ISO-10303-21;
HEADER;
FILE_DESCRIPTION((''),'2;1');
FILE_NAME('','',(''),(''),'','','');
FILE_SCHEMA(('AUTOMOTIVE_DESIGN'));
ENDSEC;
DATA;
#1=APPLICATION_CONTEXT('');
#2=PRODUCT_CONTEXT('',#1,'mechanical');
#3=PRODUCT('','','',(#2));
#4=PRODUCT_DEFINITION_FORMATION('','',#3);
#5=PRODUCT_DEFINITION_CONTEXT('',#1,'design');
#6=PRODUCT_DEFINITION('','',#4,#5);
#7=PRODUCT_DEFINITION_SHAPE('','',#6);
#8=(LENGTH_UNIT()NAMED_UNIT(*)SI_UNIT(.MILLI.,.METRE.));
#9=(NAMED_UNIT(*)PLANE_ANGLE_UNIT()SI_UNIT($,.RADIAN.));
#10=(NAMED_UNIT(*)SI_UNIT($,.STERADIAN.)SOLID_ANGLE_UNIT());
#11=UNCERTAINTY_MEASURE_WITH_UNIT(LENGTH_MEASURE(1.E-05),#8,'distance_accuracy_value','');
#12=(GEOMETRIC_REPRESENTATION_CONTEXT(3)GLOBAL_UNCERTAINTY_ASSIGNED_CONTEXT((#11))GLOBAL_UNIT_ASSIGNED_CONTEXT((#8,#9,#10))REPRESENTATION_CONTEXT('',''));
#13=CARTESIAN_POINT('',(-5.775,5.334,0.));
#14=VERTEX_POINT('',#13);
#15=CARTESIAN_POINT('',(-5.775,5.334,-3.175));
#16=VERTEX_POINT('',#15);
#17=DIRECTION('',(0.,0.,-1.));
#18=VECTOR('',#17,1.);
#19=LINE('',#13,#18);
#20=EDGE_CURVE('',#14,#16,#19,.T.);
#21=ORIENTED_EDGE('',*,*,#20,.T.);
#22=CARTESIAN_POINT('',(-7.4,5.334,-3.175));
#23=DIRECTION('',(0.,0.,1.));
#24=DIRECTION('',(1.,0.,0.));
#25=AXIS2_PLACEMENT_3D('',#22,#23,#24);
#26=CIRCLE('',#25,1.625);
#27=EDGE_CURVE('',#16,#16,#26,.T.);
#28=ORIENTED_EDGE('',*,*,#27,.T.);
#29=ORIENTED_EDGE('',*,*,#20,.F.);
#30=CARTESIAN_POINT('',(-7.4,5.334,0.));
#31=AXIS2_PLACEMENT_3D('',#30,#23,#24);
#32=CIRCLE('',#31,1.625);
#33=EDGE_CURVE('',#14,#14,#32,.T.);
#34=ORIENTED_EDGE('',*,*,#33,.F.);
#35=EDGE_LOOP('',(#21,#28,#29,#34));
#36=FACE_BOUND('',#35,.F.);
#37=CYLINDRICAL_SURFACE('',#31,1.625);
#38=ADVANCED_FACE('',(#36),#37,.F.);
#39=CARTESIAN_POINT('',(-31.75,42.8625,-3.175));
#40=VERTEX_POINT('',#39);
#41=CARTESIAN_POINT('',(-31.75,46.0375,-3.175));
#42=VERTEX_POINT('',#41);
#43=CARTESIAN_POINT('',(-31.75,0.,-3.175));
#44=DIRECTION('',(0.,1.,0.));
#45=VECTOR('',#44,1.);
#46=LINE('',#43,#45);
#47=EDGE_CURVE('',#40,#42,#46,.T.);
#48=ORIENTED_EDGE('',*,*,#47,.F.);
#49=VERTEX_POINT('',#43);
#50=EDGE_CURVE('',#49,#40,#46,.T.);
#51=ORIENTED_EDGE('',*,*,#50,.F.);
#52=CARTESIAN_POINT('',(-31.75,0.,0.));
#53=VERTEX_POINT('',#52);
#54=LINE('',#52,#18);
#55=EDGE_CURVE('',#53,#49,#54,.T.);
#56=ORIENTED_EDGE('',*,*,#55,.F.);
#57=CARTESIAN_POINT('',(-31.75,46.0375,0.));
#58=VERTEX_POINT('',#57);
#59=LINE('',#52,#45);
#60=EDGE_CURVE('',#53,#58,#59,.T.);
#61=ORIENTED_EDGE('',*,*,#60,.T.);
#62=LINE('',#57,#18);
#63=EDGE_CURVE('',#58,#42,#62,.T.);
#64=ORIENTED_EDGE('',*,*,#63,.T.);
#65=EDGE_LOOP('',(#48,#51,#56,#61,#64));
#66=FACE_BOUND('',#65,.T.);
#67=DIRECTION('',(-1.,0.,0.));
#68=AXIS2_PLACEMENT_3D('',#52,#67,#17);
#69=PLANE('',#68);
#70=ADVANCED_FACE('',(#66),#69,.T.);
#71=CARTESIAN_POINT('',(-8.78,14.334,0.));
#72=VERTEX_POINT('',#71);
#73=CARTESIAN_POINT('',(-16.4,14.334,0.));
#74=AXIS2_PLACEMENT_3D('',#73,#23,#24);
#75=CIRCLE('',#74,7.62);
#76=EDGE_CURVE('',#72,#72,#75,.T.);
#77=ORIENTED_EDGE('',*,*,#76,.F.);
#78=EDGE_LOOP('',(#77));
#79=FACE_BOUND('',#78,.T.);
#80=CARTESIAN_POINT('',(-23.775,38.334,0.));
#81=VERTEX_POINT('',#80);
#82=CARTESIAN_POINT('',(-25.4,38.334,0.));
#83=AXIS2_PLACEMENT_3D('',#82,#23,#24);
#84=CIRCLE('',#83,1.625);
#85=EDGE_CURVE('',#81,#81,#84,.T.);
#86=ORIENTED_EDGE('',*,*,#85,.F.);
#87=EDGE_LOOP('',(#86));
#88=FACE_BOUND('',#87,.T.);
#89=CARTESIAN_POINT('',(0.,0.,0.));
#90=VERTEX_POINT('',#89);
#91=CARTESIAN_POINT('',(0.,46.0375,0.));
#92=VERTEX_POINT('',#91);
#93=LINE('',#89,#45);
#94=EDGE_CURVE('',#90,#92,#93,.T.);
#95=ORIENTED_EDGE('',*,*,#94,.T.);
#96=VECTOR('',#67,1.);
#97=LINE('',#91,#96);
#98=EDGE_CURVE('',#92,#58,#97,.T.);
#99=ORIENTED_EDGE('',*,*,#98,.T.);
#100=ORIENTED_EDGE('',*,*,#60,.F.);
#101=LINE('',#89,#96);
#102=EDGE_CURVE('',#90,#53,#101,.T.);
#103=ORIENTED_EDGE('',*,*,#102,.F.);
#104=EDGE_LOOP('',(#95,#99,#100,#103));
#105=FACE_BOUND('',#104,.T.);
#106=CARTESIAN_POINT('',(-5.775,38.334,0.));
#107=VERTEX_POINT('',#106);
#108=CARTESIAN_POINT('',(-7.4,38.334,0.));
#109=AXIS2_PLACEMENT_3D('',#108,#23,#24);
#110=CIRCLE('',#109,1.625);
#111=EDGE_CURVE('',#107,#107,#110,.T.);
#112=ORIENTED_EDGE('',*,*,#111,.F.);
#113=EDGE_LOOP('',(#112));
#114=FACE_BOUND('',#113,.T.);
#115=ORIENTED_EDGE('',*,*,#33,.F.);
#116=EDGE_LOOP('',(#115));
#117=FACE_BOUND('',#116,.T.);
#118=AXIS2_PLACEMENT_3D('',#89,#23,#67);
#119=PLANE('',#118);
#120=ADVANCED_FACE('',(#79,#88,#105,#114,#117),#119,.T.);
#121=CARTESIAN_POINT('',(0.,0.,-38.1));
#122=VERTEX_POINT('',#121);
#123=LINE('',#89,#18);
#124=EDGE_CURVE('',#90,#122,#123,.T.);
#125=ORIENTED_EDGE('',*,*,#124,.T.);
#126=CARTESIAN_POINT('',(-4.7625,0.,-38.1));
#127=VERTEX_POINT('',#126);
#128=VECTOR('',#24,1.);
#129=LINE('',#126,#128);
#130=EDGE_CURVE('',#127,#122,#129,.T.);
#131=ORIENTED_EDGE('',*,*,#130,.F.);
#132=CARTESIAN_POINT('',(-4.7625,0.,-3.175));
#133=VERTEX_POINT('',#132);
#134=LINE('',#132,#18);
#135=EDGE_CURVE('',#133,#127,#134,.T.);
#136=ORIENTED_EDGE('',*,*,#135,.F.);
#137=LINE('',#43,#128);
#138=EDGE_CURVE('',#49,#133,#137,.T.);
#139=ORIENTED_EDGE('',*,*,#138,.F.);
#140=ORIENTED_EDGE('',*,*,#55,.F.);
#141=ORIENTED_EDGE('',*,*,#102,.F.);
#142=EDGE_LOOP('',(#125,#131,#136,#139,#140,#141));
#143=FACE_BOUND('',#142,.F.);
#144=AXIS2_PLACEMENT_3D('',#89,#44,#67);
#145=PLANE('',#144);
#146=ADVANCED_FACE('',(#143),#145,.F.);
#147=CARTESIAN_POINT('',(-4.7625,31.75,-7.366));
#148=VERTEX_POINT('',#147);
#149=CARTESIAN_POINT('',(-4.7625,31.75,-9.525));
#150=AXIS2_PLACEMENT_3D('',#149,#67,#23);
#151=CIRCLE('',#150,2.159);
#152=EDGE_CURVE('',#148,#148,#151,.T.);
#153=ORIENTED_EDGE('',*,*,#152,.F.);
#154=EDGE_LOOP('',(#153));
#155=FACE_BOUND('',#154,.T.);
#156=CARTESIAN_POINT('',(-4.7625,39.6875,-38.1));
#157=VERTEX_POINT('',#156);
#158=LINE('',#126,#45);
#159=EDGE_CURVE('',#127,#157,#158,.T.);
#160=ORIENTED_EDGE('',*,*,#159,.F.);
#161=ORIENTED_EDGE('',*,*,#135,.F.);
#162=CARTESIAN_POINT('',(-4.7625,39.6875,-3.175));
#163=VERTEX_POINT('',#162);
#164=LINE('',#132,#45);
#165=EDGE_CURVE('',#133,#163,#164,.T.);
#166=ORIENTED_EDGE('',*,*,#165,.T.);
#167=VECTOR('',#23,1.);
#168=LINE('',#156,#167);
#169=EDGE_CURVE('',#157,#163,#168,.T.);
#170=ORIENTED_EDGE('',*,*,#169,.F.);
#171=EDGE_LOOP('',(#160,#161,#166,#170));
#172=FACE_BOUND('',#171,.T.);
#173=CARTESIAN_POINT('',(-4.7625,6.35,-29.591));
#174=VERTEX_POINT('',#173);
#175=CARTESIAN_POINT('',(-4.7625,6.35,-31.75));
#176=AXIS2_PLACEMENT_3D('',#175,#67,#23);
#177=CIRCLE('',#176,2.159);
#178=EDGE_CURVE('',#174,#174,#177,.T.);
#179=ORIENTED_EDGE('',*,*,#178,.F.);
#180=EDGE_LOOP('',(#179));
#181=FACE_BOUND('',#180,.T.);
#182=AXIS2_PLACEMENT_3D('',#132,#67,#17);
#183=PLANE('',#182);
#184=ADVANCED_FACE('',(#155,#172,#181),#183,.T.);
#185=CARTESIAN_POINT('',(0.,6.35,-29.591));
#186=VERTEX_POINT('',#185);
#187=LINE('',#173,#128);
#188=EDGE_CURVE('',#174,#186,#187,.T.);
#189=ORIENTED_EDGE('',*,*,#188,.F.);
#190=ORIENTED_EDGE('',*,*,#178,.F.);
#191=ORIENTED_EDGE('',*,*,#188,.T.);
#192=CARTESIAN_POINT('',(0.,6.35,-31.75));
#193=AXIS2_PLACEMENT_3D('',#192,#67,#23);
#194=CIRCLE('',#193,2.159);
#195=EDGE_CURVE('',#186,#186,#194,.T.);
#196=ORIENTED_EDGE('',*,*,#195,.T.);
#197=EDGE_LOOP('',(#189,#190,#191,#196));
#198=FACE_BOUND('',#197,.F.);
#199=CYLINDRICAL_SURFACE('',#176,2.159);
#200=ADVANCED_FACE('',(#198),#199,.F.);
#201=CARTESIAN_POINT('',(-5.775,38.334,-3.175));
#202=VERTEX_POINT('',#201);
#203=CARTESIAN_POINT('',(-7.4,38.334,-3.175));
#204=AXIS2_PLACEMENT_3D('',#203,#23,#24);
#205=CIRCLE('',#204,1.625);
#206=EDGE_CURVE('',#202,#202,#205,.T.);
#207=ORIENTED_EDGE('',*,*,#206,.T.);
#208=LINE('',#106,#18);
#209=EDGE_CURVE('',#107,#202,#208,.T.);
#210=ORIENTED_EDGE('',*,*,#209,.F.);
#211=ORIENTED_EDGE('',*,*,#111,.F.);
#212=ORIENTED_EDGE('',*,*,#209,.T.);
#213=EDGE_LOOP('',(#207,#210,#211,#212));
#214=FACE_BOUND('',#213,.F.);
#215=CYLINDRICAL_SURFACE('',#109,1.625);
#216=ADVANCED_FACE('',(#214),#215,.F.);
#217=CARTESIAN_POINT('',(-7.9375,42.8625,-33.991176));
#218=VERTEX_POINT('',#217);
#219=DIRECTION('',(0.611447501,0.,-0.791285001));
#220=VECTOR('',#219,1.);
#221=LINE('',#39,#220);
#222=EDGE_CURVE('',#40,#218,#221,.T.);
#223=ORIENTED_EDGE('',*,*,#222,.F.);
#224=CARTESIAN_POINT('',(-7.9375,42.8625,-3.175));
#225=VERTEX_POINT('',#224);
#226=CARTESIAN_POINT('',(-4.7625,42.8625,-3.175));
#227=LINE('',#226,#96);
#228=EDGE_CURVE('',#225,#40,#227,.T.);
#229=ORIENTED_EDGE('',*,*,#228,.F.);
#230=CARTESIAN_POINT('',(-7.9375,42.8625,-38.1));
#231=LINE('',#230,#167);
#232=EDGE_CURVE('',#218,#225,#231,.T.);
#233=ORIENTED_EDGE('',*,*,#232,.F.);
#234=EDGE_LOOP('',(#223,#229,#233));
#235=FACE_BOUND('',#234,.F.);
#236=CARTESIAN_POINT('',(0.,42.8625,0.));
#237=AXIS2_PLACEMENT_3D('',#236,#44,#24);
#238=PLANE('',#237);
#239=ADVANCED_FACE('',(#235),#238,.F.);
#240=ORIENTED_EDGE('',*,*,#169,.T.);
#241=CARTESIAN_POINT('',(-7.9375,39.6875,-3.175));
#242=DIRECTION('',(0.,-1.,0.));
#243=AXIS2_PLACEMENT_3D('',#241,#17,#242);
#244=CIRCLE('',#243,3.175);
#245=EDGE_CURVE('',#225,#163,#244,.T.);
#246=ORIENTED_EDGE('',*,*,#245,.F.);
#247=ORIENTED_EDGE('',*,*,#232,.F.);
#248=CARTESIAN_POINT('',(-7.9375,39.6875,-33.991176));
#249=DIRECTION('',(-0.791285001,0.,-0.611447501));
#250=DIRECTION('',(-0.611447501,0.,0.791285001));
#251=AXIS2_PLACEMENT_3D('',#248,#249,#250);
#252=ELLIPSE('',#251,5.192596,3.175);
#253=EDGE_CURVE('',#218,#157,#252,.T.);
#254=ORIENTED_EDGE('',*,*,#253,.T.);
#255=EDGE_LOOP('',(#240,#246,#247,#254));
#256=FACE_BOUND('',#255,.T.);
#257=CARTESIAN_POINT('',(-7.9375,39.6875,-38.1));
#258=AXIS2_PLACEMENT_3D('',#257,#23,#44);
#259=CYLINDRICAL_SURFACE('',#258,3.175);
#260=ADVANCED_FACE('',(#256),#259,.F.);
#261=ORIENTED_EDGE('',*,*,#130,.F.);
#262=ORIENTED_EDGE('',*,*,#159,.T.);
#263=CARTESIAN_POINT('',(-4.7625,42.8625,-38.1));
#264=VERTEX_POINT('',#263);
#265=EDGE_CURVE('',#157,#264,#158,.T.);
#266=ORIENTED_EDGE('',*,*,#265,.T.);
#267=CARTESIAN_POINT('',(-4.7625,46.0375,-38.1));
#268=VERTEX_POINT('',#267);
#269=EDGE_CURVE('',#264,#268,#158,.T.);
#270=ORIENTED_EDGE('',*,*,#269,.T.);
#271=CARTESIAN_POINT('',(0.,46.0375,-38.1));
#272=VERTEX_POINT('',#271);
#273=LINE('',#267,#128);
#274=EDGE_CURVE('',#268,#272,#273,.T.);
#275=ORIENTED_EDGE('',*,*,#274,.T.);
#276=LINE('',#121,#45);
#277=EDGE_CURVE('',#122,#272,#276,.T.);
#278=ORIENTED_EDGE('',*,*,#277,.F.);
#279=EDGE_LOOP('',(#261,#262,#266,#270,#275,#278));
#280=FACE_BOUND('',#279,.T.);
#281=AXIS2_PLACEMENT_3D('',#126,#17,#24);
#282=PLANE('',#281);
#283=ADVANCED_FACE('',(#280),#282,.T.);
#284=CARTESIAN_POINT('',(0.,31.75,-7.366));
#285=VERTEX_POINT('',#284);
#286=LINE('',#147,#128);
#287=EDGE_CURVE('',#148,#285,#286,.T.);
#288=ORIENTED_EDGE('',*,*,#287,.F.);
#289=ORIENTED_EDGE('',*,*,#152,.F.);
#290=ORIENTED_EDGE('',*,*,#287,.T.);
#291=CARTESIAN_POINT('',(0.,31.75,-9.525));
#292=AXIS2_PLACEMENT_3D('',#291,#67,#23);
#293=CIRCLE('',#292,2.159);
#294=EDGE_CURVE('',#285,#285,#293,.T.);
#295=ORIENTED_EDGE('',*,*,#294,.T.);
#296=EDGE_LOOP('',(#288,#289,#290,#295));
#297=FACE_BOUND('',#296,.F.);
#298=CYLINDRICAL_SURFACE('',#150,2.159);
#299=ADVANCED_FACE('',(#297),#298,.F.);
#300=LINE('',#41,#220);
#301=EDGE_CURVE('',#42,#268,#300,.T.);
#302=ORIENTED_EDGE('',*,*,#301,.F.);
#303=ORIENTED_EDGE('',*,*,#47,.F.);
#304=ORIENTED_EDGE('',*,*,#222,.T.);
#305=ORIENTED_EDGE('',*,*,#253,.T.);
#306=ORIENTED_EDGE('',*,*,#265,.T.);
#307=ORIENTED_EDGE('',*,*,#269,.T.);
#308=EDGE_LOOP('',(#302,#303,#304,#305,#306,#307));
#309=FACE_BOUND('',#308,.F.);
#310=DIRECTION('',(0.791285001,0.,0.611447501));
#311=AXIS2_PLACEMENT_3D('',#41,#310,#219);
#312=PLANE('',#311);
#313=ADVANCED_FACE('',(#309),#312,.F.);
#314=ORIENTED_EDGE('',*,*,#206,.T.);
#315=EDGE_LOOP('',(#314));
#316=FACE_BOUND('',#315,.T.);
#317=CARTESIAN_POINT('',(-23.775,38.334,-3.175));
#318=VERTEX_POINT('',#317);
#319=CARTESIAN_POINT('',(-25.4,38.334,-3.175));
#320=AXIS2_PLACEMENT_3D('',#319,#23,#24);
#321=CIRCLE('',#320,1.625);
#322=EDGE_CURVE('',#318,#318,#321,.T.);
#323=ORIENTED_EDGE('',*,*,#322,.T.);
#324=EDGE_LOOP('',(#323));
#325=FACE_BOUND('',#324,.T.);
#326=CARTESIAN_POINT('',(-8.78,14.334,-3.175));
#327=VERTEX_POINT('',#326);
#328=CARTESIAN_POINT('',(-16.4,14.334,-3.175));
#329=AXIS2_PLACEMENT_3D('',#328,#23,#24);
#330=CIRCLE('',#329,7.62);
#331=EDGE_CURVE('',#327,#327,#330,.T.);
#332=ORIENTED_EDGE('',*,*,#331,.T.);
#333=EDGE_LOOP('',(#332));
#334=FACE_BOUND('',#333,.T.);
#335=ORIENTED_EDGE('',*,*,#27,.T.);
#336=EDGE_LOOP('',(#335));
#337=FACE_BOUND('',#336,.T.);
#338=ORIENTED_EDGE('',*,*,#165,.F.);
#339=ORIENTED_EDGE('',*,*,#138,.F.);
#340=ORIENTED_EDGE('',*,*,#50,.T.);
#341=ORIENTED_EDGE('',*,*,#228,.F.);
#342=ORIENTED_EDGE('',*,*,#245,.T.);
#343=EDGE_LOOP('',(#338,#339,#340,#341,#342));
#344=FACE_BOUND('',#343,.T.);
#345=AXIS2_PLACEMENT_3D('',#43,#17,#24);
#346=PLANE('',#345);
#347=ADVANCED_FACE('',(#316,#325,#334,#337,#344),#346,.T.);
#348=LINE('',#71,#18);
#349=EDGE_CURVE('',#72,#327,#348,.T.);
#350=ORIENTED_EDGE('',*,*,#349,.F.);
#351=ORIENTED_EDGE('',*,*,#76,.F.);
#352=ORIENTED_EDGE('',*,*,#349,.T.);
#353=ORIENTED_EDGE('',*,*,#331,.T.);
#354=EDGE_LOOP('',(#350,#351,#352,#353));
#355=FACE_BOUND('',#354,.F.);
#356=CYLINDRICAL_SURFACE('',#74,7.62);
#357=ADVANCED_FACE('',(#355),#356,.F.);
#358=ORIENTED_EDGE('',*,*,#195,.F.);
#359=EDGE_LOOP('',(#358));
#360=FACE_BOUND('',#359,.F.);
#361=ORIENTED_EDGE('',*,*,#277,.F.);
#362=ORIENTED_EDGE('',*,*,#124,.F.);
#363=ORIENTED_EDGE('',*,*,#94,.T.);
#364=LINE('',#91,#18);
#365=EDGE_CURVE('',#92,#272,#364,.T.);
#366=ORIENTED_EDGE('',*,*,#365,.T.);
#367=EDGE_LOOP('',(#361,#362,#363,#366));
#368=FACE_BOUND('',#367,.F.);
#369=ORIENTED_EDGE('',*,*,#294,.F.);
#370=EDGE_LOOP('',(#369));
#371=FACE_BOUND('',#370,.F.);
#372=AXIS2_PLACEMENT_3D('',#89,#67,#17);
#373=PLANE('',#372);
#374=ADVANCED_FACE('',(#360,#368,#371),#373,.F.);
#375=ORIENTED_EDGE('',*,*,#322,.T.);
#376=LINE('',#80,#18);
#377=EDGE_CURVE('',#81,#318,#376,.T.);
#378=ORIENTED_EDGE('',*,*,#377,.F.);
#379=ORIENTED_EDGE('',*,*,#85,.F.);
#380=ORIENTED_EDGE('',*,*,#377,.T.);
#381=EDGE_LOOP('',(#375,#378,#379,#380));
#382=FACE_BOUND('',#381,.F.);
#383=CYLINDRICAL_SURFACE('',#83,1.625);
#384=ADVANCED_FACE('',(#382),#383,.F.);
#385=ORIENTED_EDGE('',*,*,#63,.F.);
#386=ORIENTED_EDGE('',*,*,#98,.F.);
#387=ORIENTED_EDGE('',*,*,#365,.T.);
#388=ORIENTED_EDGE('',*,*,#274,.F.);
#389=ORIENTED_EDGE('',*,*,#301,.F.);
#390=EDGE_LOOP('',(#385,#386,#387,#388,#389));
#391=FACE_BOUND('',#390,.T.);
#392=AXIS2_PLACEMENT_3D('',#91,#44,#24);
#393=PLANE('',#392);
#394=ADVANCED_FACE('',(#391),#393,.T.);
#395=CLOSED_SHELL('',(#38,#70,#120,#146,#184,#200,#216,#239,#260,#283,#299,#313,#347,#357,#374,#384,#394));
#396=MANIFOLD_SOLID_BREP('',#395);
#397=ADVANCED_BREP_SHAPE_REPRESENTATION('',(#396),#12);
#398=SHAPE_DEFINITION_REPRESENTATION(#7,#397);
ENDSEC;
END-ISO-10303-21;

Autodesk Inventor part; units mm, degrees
ref_plane "YZ Plane" through (0, 0, 0) normal (1, 0, 0) x (0, 1, 0)
ref_plane "XZ Plane" through (0, 0, 0) normal (0, 1, 0) x (-1, 0, 0)
ref_plane "XY Plane" through (0, 0, 0) normal (0, 0, 1) x (1, 0, 0)
sketch "Sketch1" plane through (0, 0, 0) normal (0, 1, 0) x (-1, 0, 0)
  line L0 (0, 0) -> (31.75, 0)
  line L1 (31.75, 0) -> (31.75, -3.175)
  line L2 (31.75, -3.175) -> (4.7625, -3.175)
  line L3 (4.7625, -3.175) -> (4.7625, -38.1)
  line L4 (4.7625, -38.1) -> (0, -38.1)
  line L5 (0, 0) -> (0, -38.1)
  point P0 (31.75, -1.5875)
  dimension "d1" = 3.175
  dimension "d2" = 31.75
  dimension "d3" = 38.1
  dimension "d4" = 4.7625
extrude "Extrusion1" add sketch "Sketch1" along normal blind 46.0375
sketch "Sketch2" plane through (-31.75, 0, 0) normal (0, 0, 1) x (1, 0, 0)
  line L0 (0, 0) -> (0, 46.0375) projected
  line L1 (31.75, 0) -> (31.75, 46.0375) projected
  line L2 (6.35, 5.334) -> (24.35, 5.334) construction
  line L3 (24.35, 5.334) -> (24.35, 38.334) construction
  line L4 (24.35, 38.334) -> (6.35, 38.334) construction
  line L5 (6.35, 38.334) -> (6.35, 5.334) construction
  circle A0 centre (24.35, 5.334) radius 1.625
  circle A1 centre (6.35, 38.334) radius 1.625
  circle A2 centre (24.35, 38.334) radius 1.625
  line L6 (0, 0) -> (31.75, 0) projected
  circle A3 centre (15.35, 14.334) radius 7.62
  dimension "d24" = 3.25
  dimension "d25" = 3.25
  dimension "d26" = 3.25
  dimension "d27" = 33
  dimension "d38" = 15.24
  dimension "d53" = 6.35
  dimension "d54" = 9
  dimension "d55" = 18
  dimension "d56" = 5.334
  dimension "d57" = 9
extrude "Extrusion2" cut sketch "Sketch2" against normal blind 46.0375
sketch "Sketch3" plane through (0, 46.0375, 0) normal (0, 1, 0) x (1, 0, 0)
  line L0 (0, 38.1) -> (-4.7625, 38.1) projected
  line L1 (-4.7625, 38.1) -> (-4.7625, 3.175) projected
  line L2 (-4.7625, 3.175) -> (-31.75, 3.175) projected
  line L3 (-31.75, 3.175) -> (-31.75, 0) projected
  line L4 (-31.75, 0) -> (0, 0) projected
  line L5 (0, 0) -> (0, 38.1) projected
  line L6 (-31.75, 3.175) -> (-4.7625, 38.1)
extrude "Extrusion3" add sketch "Sketch3" against normal blind 3.175 contours L1 L2 L6
sketch "Sketch4" plane through (-4.7625, 0, -38.1) normal (-1, 0, 0) x (0, 0, 1)
  circle A0 centre (28.575, 31.75) radius 2.159
  circle A1 centre (6.35, 6.35) radius 2.159
  line L0 (0, 0) -> (0, 42.8625) projected
  line L1 (0, 0) -> (34.925, 0) projected
  line L2 (34.925, 42.8625) -> (0, 42.8625) projected
  line L3 (34.925, 0) -> (34.925, 42.8625) projected
  circle A2 centre (28.575, 31.75) radius 4.3656
  point P0 (38.1, 0)
  dimension "d41" = 4.318
  dimension "d42" = 4.318
  dimension "d43" = 6.35
  dimension "d44" = 6.35
  dimension "d45" = 11.1125
  dimension "d47" = 6.35
  dimension "d50" = 8.7312
extrude "Extrusion4" cut sketch "Sketch4" against normal through all contours A0 | A1
fillet "Fillet1" radius 3.175 1 edges at (-4.7625, 42.8625, -20.6375)
properties part number "Motor Mount V1_3DPrint"
